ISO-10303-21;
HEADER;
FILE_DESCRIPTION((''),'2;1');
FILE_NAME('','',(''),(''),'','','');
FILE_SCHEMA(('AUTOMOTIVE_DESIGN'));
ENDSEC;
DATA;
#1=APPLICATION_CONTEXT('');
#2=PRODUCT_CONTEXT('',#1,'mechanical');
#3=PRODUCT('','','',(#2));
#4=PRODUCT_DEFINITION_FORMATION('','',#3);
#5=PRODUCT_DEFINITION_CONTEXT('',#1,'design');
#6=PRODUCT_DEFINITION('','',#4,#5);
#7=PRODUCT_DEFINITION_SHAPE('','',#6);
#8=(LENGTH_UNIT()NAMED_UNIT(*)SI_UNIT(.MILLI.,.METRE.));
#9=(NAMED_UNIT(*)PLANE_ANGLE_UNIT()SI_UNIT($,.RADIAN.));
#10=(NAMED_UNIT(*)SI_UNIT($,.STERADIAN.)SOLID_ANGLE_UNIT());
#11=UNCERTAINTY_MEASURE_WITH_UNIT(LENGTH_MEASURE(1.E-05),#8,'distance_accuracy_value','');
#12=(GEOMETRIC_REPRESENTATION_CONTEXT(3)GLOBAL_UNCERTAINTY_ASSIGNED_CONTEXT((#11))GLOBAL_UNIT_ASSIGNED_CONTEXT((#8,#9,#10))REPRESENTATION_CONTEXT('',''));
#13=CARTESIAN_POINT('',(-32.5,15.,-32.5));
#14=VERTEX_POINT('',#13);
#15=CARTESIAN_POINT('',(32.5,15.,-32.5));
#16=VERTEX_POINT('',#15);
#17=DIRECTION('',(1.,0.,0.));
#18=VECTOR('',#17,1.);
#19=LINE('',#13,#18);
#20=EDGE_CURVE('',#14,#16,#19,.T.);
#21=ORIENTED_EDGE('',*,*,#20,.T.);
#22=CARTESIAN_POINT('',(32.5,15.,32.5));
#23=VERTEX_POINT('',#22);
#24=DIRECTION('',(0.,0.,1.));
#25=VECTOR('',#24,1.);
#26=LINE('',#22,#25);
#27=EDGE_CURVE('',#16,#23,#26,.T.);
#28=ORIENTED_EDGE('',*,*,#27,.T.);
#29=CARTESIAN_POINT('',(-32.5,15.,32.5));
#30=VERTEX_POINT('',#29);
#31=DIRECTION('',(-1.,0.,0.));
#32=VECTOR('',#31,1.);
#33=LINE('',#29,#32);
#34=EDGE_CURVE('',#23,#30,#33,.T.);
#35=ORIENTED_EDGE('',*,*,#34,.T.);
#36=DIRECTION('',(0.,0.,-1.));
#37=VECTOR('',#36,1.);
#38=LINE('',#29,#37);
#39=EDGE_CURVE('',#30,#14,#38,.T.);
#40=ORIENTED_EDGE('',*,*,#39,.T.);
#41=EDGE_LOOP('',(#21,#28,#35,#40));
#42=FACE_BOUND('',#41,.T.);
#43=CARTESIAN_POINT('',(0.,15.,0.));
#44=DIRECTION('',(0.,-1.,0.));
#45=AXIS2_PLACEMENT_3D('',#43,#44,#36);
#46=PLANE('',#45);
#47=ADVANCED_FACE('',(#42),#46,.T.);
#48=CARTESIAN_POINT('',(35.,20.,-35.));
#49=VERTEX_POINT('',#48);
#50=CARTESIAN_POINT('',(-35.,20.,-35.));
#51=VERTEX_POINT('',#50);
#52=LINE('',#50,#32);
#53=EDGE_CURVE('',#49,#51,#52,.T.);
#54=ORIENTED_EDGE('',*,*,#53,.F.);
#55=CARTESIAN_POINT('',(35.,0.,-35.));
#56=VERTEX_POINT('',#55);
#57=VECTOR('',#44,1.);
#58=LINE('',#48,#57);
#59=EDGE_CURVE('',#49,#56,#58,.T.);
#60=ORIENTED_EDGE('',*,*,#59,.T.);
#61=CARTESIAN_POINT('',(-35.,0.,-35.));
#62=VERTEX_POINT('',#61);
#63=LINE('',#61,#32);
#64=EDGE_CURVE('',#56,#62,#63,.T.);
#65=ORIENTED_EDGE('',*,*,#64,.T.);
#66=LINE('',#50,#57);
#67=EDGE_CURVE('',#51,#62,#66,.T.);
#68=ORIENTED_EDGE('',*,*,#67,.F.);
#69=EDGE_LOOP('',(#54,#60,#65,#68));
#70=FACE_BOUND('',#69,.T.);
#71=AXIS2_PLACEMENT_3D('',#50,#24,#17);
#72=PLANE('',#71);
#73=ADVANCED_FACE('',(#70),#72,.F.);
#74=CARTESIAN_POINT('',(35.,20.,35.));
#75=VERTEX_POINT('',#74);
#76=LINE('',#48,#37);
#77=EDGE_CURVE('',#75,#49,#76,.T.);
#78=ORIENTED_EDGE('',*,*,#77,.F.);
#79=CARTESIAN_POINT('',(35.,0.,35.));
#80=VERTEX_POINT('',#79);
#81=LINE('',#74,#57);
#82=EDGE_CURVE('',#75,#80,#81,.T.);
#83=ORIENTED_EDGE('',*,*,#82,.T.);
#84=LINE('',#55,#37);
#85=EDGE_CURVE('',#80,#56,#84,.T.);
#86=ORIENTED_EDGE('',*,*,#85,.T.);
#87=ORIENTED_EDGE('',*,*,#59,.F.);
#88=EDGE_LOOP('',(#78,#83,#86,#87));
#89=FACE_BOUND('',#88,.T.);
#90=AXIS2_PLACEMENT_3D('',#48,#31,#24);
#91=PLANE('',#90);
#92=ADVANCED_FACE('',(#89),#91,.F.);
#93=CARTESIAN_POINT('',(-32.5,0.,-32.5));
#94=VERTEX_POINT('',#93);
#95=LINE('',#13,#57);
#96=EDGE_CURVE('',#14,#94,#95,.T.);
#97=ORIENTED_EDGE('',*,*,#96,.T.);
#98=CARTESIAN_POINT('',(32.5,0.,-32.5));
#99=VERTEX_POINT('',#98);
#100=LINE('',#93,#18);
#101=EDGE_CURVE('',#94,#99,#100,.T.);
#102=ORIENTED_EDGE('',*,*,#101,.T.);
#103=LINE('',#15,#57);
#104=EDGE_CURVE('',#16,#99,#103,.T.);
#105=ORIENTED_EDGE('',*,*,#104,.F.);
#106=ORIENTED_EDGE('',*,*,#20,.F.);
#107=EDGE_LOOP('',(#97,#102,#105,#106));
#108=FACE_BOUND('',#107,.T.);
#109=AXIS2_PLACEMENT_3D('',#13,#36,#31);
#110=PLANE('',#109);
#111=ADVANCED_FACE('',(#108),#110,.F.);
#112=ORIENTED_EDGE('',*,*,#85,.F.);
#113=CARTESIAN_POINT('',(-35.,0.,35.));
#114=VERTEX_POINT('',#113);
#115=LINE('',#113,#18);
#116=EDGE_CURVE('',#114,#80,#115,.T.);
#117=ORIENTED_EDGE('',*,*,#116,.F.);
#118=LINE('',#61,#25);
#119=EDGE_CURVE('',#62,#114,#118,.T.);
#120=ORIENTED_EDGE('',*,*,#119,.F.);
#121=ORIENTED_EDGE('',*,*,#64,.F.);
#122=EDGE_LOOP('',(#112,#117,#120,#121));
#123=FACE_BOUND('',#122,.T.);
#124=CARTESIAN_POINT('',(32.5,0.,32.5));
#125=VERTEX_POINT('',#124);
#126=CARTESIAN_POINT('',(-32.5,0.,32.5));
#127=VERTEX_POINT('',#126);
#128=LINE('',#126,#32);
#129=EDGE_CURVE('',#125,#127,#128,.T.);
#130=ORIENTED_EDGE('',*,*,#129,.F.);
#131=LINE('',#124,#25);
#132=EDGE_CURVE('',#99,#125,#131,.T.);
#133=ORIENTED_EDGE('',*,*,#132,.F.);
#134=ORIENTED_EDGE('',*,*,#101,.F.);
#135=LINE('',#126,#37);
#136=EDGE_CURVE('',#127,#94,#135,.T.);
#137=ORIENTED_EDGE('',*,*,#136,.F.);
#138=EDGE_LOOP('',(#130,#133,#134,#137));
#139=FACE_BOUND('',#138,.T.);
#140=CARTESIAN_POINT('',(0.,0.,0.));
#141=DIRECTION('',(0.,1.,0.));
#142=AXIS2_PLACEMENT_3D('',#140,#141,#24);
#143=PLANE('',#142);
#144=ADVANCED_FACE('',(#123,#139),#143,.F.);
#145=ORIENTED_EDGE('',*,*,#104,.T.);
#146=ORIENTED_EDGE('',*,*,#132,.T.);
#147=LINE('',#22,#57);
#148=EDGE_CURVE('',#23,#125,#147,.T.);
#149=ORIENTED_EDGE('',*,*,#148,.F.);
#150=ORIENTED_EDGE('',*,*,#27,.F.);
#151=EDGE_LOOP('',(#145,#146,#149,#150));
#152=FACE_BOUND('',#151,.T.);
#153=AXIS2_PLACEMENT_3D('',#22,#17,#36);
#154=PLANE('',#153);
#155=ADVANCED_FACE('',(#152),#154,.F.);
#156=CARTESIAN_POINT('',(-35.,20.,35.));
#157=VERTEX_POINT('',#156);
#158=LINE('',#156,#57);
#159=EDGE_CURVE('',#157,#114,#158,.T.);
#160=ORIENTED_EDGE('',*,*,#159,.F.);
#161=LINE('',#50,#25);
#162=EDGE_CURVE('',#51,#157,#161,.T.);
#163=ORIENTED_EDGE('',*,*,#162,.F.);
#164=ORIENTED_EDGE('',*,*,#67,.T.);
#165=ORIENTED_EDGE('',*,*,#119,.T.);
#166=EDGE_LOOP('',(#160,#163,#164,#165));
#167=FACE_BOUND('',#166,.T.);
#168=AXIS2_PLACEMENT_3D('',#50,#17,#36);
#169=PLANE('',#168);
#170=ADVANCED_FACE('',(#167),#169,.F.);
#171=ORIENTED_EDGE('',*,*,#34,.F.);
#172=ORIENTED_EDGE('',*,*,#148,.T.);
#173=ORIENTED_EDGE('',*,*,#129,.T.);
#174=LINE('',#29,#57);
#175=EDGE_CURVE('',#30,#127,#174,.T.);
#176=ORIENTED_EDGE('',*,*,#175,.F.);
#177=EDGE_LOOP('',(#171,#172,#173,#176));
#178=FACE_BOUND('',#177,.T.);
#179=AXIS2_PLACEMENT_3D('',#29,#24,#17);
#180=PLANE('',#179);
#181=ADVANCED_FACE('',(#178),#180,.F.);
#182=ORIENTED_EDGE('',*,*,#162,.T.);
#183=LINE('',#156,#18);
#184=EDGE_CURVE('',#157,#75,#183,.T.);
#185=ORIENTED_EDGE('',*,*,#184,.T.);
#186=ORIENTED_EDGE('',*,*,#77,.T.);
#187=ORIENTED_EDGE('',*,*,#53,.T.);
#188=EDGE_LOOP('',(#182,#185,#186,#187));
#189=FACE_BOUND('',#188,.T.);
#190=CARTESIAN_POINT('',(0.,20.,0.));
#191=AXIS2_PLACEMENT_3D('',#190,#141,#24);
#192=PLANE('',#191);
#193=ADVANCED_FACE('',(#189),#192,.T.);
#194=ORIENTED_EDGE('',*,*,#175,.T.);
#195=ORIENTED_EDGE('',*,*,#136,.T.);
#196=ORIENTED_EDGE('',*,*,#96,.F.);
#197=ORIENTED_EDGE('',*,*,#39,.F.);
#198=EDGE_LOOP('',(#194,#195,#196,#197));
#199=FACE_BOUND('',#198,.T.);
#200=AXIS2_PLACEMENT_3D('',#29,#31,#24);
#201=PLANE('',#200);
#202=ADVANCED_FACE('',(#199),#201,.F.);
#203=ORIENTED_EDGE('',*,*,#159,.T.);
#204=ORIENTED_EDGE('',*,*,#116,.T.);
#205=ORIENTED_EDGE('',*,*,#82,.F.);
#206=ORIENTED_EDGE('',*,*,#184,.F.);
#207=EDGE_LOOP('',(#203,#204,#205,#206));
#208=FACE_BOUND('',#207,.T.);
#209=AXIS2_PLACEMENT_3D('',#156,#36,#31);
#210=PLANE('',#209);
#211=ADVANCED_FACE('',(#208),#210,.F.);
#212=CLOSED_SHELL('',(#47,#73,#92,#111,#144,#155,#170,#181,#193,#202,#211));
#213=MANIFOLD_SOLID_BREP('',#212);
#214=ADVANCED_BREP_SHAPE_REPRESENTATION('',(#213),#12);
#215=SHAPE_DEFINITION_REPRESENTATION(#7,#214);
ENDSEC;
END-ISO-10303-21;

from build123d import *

# Parameters (mm, degrees)
SKETCH1_W           = 70
SKETCH1_H           = 70
BOSS_EXTRUDE1_DEPTH = 20
SKETCH2_W           = 65
SKETCH2_H           = 65
CUT_EXTRUDE1_DEPTH  = 15


with BuildPart() as part:
    # Sketch1 → Boss-Extrude1 (new body)
    with BuildSketch(Plane(origin=(0, 0, 0), x_dir=(1, 0, 0), z_dir=(0, 1, 0))):
        Rectangle(SKETCH1_W, SKETCH1_H)
    extrude(amount=BOSS_EXTRUDE1_DEPTH)

    # Sketch2 → Cut-Extrude1 (cut)
    with BuildSketch(Plane.XZ):
        Rectangle(SKETCH2_W, SKETCH2_H)
    extrude(amount=-CUT_EXTRUDE1_DEPTH, mode=Mode.SUBTRACT)


solid = part.part
